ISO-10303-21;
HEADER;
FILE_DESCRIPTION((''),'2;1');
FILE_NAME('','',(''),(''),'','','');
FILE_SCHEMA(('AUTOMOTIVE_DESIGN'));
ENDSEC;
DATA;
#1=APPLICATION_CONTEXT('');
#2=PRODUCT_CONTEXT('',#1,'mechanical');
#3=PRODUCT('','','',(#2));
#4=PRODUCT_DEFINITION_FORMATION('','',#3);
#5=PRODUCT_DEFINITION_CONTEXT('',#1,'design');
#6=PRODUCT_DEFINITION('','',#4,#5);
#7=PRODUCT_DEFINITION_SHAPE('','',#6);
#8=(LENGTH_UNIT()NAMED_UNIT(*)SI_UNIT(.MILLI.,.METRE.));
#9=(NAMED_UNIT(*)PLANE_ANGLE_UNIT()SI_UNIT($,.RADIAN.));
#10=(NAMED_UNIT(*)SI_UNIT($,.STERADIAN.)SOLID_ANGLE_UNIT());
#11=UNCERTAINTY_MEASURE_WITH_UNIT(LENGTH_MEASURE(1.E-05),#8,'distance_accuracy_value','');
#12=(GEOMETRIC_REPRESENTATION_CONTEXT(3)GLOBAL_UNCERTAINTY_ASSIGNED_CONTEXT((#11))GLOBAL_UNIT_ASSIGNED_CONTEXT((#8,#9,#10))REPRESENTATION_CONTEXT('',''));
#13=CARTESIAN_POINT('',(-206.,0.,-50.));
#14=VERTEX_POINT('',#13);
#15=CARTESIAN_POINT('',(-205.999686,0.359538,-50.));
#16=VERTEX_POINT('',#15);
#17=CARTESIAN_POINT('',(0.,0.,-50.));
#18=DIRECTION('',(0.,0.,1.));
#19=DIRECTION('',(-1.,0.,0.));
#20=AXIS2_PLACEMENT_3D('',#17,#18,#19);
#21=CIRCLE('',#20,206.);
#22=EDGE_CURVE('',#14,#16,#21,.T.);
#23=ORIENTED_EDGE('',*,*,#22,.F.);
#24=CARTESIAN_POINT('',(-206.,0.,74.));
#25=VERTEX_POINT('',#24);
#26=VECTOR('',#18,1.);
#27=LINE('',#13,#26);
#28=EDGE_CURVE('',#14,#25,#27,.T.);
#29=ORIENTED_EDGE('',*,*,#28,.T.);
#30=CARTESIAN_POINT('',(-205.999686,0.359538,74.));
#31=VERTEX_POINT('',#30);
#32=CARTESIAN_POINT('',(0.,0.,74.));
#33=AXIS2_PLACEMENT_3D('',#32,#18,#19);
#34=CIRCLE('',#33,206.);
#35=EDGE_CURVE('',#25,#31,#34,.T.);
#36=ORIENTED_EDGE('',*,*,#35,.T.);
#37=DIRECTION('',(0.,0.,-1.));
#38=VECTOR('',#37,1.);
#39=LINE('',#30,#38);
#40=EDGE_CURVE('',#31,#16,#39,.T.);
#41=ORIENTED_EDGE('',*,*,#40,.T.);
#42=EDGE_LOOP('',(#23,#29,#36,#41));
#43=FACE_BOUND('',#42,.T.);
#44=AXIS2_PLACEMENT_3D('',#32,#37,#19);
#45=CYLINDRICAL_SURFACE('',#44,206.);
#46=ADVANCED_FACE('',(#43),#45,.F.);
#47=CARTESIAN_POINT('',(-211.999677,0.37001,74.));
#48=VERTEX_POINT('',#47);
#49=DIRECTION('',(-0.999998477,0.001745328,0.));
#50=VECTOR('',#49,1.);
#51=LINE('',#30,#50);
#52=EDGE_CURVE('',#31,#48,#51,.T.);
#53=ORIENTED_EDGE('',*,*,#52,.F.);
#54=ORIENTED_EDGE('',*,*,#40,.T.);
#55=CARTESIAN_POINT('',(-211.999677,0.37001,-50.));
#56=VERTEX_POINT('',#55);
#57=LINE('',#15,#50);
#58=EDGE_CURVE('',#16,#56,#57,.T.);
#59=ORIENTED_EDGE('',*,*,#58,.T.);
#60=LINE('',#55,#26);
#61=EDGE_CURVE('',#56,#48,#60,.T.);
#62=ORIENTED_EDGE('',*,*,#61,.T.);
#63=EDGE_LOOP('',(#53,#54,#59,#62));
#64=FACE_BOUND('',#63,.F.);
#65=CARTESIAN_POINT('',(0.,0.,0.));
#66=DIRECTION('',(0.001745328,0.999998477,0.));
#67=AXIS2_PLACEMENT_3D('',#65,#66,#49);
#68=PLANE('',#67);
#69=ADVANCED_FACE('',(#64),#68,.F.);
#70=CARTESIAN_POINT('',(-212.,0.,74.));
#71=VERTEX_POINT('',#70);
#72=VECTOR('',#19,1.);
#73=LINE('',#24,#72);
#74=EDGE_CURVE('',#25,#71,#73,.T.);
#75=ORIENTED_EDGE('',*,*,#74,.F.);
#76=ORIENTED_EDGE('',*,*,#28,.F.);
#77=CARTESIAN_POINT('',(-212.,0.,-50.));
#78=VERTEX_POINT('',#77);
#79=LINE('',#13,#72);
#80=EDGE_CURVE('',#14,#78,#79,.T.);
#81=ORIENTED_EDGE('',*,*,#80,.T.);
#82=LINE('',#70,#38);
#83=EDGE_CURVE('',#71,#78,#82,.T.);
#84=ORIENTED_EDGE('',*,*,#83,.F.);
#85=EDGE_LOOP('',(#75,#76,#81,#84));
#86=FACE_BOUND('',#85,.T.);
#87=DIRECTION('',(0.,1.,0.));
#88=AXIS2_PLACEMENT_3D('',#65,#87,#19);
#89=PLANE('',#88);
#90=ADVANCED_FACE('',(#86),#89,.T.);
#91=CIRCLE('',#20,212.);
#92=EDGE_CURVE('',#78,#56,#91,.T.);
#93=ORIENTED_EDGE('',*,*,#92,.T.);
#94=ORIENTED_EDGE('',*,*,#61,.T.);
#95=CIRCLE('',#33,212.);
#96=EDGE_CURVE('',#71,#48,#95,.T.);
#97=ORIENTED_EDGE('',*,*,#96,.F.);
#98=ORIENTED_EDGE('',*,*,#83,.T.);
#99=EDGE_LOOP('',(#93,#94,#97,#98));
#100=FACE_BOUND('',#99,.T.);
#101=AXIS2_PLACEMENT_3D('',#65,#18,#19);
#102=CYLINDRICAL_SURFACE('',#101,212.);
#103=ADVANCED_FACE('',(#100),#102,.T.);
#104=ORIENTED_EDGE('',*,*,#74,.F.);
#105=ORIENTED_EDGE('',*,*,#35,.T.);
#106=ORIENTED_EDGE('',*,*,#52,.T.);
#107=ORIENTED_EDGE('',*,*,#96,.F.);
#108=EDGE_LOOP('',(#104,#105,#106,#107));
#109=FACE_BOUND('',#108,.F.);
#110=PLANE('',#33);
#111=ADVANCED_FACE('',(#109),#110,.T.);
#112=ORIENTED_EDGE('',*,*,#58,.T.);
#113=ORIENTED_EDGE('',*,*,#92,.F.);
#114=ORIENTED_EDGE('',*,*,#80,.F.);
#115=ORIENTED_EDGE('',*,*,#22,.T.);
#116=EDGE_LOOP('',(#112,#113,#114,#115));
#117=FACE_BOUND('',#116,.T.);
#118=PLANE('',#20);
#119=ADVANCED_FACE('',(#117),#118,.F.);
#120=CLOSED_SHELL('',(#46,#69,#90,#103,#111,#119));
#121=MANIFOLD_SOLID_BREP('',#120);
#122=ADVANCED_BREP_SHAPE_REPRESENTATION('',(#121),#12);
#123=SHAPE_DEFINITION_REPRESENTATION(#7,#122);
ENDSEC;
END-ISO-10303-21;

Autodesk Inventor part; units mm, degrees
ref_plane "YZ Plane" through (0, 0, 0) normal (1, 0, 0) x (0, 1, 0)
ref_plane "XZ Plane" through (0, 0, 0) normal (0, 1, 0) x (-1, 0, 0)
ref_plane "XY Plane" through (0, 0, 0) normal (0, 0, 1) x (1, 0, 0)
sketch "Sketch1" plane through (0, 0, 0) normal (0, 1, 0) x (-1, 0, 0)
  line L0 (206, 74) -> (206, 0)
  line L1 (206, 0) -> (212, 0)
  line L2 (0, 0) -> (0, 109.131)
  line L3 (206, 74) -> (212, 74)
  line L4 (212, 0) -> (212, 74)
  line L5 (212, 0) -> (206, 0)
  line L6 (206, 0) -> (206, -50)
  line L7 (206, -50) -> (212, -50)
  line L8 (212, -50) -> (212, 0)
  point P0 (209, 0)
  point P1 (212, 0)
  point P2 (206, 0)
  point P3 (206, 0)
  dimension "d3" = 6
  dimension "d5" = 74
  dimension "d7" = 6
  dimension "d8" = 50
  dimension "d12" = 424
revolve "Revolution1" add sketch "Sketch1" angle 359.9 about axis through (0, 0, 0) along (0, 0, 1)
sketch "Sketch2" plane through (0, 0, 0) normal (0, 1, 0) x (-1, 0, 0)
  circle A0 centre (0, -476) radius 476
  point P0 (0, 0)
  dimension "d9" = 952
extrude "Extrusion1" [suppressed]
equation "\"d5\" = Accsess_hatch_lenght"
equation "\"d7\" = d3"
equation "\"BendRadius\" = Thickness"
equation "\"BendReliefWidth\" = Thickness"
equation "\"BendReliefDepth\" = 0.5 * Thickness"
equation "\"CornerReliefSize\" = 4 * Thickness"
equation "\"MinimumRemnant\" = 2 * Thickness"
equation "\"TransitionRadius\" = BendRadius"
equation "\"JacobiRadiusSize\" = BendRadius"
equation "\"GapSize\" = Thickness"
equation "\"Accsess_hatch_lenght\" = 74"
equation "\"Thickness\" = 6"
properties part number "TZS 0904 accses hatch tube" material "Steel"
